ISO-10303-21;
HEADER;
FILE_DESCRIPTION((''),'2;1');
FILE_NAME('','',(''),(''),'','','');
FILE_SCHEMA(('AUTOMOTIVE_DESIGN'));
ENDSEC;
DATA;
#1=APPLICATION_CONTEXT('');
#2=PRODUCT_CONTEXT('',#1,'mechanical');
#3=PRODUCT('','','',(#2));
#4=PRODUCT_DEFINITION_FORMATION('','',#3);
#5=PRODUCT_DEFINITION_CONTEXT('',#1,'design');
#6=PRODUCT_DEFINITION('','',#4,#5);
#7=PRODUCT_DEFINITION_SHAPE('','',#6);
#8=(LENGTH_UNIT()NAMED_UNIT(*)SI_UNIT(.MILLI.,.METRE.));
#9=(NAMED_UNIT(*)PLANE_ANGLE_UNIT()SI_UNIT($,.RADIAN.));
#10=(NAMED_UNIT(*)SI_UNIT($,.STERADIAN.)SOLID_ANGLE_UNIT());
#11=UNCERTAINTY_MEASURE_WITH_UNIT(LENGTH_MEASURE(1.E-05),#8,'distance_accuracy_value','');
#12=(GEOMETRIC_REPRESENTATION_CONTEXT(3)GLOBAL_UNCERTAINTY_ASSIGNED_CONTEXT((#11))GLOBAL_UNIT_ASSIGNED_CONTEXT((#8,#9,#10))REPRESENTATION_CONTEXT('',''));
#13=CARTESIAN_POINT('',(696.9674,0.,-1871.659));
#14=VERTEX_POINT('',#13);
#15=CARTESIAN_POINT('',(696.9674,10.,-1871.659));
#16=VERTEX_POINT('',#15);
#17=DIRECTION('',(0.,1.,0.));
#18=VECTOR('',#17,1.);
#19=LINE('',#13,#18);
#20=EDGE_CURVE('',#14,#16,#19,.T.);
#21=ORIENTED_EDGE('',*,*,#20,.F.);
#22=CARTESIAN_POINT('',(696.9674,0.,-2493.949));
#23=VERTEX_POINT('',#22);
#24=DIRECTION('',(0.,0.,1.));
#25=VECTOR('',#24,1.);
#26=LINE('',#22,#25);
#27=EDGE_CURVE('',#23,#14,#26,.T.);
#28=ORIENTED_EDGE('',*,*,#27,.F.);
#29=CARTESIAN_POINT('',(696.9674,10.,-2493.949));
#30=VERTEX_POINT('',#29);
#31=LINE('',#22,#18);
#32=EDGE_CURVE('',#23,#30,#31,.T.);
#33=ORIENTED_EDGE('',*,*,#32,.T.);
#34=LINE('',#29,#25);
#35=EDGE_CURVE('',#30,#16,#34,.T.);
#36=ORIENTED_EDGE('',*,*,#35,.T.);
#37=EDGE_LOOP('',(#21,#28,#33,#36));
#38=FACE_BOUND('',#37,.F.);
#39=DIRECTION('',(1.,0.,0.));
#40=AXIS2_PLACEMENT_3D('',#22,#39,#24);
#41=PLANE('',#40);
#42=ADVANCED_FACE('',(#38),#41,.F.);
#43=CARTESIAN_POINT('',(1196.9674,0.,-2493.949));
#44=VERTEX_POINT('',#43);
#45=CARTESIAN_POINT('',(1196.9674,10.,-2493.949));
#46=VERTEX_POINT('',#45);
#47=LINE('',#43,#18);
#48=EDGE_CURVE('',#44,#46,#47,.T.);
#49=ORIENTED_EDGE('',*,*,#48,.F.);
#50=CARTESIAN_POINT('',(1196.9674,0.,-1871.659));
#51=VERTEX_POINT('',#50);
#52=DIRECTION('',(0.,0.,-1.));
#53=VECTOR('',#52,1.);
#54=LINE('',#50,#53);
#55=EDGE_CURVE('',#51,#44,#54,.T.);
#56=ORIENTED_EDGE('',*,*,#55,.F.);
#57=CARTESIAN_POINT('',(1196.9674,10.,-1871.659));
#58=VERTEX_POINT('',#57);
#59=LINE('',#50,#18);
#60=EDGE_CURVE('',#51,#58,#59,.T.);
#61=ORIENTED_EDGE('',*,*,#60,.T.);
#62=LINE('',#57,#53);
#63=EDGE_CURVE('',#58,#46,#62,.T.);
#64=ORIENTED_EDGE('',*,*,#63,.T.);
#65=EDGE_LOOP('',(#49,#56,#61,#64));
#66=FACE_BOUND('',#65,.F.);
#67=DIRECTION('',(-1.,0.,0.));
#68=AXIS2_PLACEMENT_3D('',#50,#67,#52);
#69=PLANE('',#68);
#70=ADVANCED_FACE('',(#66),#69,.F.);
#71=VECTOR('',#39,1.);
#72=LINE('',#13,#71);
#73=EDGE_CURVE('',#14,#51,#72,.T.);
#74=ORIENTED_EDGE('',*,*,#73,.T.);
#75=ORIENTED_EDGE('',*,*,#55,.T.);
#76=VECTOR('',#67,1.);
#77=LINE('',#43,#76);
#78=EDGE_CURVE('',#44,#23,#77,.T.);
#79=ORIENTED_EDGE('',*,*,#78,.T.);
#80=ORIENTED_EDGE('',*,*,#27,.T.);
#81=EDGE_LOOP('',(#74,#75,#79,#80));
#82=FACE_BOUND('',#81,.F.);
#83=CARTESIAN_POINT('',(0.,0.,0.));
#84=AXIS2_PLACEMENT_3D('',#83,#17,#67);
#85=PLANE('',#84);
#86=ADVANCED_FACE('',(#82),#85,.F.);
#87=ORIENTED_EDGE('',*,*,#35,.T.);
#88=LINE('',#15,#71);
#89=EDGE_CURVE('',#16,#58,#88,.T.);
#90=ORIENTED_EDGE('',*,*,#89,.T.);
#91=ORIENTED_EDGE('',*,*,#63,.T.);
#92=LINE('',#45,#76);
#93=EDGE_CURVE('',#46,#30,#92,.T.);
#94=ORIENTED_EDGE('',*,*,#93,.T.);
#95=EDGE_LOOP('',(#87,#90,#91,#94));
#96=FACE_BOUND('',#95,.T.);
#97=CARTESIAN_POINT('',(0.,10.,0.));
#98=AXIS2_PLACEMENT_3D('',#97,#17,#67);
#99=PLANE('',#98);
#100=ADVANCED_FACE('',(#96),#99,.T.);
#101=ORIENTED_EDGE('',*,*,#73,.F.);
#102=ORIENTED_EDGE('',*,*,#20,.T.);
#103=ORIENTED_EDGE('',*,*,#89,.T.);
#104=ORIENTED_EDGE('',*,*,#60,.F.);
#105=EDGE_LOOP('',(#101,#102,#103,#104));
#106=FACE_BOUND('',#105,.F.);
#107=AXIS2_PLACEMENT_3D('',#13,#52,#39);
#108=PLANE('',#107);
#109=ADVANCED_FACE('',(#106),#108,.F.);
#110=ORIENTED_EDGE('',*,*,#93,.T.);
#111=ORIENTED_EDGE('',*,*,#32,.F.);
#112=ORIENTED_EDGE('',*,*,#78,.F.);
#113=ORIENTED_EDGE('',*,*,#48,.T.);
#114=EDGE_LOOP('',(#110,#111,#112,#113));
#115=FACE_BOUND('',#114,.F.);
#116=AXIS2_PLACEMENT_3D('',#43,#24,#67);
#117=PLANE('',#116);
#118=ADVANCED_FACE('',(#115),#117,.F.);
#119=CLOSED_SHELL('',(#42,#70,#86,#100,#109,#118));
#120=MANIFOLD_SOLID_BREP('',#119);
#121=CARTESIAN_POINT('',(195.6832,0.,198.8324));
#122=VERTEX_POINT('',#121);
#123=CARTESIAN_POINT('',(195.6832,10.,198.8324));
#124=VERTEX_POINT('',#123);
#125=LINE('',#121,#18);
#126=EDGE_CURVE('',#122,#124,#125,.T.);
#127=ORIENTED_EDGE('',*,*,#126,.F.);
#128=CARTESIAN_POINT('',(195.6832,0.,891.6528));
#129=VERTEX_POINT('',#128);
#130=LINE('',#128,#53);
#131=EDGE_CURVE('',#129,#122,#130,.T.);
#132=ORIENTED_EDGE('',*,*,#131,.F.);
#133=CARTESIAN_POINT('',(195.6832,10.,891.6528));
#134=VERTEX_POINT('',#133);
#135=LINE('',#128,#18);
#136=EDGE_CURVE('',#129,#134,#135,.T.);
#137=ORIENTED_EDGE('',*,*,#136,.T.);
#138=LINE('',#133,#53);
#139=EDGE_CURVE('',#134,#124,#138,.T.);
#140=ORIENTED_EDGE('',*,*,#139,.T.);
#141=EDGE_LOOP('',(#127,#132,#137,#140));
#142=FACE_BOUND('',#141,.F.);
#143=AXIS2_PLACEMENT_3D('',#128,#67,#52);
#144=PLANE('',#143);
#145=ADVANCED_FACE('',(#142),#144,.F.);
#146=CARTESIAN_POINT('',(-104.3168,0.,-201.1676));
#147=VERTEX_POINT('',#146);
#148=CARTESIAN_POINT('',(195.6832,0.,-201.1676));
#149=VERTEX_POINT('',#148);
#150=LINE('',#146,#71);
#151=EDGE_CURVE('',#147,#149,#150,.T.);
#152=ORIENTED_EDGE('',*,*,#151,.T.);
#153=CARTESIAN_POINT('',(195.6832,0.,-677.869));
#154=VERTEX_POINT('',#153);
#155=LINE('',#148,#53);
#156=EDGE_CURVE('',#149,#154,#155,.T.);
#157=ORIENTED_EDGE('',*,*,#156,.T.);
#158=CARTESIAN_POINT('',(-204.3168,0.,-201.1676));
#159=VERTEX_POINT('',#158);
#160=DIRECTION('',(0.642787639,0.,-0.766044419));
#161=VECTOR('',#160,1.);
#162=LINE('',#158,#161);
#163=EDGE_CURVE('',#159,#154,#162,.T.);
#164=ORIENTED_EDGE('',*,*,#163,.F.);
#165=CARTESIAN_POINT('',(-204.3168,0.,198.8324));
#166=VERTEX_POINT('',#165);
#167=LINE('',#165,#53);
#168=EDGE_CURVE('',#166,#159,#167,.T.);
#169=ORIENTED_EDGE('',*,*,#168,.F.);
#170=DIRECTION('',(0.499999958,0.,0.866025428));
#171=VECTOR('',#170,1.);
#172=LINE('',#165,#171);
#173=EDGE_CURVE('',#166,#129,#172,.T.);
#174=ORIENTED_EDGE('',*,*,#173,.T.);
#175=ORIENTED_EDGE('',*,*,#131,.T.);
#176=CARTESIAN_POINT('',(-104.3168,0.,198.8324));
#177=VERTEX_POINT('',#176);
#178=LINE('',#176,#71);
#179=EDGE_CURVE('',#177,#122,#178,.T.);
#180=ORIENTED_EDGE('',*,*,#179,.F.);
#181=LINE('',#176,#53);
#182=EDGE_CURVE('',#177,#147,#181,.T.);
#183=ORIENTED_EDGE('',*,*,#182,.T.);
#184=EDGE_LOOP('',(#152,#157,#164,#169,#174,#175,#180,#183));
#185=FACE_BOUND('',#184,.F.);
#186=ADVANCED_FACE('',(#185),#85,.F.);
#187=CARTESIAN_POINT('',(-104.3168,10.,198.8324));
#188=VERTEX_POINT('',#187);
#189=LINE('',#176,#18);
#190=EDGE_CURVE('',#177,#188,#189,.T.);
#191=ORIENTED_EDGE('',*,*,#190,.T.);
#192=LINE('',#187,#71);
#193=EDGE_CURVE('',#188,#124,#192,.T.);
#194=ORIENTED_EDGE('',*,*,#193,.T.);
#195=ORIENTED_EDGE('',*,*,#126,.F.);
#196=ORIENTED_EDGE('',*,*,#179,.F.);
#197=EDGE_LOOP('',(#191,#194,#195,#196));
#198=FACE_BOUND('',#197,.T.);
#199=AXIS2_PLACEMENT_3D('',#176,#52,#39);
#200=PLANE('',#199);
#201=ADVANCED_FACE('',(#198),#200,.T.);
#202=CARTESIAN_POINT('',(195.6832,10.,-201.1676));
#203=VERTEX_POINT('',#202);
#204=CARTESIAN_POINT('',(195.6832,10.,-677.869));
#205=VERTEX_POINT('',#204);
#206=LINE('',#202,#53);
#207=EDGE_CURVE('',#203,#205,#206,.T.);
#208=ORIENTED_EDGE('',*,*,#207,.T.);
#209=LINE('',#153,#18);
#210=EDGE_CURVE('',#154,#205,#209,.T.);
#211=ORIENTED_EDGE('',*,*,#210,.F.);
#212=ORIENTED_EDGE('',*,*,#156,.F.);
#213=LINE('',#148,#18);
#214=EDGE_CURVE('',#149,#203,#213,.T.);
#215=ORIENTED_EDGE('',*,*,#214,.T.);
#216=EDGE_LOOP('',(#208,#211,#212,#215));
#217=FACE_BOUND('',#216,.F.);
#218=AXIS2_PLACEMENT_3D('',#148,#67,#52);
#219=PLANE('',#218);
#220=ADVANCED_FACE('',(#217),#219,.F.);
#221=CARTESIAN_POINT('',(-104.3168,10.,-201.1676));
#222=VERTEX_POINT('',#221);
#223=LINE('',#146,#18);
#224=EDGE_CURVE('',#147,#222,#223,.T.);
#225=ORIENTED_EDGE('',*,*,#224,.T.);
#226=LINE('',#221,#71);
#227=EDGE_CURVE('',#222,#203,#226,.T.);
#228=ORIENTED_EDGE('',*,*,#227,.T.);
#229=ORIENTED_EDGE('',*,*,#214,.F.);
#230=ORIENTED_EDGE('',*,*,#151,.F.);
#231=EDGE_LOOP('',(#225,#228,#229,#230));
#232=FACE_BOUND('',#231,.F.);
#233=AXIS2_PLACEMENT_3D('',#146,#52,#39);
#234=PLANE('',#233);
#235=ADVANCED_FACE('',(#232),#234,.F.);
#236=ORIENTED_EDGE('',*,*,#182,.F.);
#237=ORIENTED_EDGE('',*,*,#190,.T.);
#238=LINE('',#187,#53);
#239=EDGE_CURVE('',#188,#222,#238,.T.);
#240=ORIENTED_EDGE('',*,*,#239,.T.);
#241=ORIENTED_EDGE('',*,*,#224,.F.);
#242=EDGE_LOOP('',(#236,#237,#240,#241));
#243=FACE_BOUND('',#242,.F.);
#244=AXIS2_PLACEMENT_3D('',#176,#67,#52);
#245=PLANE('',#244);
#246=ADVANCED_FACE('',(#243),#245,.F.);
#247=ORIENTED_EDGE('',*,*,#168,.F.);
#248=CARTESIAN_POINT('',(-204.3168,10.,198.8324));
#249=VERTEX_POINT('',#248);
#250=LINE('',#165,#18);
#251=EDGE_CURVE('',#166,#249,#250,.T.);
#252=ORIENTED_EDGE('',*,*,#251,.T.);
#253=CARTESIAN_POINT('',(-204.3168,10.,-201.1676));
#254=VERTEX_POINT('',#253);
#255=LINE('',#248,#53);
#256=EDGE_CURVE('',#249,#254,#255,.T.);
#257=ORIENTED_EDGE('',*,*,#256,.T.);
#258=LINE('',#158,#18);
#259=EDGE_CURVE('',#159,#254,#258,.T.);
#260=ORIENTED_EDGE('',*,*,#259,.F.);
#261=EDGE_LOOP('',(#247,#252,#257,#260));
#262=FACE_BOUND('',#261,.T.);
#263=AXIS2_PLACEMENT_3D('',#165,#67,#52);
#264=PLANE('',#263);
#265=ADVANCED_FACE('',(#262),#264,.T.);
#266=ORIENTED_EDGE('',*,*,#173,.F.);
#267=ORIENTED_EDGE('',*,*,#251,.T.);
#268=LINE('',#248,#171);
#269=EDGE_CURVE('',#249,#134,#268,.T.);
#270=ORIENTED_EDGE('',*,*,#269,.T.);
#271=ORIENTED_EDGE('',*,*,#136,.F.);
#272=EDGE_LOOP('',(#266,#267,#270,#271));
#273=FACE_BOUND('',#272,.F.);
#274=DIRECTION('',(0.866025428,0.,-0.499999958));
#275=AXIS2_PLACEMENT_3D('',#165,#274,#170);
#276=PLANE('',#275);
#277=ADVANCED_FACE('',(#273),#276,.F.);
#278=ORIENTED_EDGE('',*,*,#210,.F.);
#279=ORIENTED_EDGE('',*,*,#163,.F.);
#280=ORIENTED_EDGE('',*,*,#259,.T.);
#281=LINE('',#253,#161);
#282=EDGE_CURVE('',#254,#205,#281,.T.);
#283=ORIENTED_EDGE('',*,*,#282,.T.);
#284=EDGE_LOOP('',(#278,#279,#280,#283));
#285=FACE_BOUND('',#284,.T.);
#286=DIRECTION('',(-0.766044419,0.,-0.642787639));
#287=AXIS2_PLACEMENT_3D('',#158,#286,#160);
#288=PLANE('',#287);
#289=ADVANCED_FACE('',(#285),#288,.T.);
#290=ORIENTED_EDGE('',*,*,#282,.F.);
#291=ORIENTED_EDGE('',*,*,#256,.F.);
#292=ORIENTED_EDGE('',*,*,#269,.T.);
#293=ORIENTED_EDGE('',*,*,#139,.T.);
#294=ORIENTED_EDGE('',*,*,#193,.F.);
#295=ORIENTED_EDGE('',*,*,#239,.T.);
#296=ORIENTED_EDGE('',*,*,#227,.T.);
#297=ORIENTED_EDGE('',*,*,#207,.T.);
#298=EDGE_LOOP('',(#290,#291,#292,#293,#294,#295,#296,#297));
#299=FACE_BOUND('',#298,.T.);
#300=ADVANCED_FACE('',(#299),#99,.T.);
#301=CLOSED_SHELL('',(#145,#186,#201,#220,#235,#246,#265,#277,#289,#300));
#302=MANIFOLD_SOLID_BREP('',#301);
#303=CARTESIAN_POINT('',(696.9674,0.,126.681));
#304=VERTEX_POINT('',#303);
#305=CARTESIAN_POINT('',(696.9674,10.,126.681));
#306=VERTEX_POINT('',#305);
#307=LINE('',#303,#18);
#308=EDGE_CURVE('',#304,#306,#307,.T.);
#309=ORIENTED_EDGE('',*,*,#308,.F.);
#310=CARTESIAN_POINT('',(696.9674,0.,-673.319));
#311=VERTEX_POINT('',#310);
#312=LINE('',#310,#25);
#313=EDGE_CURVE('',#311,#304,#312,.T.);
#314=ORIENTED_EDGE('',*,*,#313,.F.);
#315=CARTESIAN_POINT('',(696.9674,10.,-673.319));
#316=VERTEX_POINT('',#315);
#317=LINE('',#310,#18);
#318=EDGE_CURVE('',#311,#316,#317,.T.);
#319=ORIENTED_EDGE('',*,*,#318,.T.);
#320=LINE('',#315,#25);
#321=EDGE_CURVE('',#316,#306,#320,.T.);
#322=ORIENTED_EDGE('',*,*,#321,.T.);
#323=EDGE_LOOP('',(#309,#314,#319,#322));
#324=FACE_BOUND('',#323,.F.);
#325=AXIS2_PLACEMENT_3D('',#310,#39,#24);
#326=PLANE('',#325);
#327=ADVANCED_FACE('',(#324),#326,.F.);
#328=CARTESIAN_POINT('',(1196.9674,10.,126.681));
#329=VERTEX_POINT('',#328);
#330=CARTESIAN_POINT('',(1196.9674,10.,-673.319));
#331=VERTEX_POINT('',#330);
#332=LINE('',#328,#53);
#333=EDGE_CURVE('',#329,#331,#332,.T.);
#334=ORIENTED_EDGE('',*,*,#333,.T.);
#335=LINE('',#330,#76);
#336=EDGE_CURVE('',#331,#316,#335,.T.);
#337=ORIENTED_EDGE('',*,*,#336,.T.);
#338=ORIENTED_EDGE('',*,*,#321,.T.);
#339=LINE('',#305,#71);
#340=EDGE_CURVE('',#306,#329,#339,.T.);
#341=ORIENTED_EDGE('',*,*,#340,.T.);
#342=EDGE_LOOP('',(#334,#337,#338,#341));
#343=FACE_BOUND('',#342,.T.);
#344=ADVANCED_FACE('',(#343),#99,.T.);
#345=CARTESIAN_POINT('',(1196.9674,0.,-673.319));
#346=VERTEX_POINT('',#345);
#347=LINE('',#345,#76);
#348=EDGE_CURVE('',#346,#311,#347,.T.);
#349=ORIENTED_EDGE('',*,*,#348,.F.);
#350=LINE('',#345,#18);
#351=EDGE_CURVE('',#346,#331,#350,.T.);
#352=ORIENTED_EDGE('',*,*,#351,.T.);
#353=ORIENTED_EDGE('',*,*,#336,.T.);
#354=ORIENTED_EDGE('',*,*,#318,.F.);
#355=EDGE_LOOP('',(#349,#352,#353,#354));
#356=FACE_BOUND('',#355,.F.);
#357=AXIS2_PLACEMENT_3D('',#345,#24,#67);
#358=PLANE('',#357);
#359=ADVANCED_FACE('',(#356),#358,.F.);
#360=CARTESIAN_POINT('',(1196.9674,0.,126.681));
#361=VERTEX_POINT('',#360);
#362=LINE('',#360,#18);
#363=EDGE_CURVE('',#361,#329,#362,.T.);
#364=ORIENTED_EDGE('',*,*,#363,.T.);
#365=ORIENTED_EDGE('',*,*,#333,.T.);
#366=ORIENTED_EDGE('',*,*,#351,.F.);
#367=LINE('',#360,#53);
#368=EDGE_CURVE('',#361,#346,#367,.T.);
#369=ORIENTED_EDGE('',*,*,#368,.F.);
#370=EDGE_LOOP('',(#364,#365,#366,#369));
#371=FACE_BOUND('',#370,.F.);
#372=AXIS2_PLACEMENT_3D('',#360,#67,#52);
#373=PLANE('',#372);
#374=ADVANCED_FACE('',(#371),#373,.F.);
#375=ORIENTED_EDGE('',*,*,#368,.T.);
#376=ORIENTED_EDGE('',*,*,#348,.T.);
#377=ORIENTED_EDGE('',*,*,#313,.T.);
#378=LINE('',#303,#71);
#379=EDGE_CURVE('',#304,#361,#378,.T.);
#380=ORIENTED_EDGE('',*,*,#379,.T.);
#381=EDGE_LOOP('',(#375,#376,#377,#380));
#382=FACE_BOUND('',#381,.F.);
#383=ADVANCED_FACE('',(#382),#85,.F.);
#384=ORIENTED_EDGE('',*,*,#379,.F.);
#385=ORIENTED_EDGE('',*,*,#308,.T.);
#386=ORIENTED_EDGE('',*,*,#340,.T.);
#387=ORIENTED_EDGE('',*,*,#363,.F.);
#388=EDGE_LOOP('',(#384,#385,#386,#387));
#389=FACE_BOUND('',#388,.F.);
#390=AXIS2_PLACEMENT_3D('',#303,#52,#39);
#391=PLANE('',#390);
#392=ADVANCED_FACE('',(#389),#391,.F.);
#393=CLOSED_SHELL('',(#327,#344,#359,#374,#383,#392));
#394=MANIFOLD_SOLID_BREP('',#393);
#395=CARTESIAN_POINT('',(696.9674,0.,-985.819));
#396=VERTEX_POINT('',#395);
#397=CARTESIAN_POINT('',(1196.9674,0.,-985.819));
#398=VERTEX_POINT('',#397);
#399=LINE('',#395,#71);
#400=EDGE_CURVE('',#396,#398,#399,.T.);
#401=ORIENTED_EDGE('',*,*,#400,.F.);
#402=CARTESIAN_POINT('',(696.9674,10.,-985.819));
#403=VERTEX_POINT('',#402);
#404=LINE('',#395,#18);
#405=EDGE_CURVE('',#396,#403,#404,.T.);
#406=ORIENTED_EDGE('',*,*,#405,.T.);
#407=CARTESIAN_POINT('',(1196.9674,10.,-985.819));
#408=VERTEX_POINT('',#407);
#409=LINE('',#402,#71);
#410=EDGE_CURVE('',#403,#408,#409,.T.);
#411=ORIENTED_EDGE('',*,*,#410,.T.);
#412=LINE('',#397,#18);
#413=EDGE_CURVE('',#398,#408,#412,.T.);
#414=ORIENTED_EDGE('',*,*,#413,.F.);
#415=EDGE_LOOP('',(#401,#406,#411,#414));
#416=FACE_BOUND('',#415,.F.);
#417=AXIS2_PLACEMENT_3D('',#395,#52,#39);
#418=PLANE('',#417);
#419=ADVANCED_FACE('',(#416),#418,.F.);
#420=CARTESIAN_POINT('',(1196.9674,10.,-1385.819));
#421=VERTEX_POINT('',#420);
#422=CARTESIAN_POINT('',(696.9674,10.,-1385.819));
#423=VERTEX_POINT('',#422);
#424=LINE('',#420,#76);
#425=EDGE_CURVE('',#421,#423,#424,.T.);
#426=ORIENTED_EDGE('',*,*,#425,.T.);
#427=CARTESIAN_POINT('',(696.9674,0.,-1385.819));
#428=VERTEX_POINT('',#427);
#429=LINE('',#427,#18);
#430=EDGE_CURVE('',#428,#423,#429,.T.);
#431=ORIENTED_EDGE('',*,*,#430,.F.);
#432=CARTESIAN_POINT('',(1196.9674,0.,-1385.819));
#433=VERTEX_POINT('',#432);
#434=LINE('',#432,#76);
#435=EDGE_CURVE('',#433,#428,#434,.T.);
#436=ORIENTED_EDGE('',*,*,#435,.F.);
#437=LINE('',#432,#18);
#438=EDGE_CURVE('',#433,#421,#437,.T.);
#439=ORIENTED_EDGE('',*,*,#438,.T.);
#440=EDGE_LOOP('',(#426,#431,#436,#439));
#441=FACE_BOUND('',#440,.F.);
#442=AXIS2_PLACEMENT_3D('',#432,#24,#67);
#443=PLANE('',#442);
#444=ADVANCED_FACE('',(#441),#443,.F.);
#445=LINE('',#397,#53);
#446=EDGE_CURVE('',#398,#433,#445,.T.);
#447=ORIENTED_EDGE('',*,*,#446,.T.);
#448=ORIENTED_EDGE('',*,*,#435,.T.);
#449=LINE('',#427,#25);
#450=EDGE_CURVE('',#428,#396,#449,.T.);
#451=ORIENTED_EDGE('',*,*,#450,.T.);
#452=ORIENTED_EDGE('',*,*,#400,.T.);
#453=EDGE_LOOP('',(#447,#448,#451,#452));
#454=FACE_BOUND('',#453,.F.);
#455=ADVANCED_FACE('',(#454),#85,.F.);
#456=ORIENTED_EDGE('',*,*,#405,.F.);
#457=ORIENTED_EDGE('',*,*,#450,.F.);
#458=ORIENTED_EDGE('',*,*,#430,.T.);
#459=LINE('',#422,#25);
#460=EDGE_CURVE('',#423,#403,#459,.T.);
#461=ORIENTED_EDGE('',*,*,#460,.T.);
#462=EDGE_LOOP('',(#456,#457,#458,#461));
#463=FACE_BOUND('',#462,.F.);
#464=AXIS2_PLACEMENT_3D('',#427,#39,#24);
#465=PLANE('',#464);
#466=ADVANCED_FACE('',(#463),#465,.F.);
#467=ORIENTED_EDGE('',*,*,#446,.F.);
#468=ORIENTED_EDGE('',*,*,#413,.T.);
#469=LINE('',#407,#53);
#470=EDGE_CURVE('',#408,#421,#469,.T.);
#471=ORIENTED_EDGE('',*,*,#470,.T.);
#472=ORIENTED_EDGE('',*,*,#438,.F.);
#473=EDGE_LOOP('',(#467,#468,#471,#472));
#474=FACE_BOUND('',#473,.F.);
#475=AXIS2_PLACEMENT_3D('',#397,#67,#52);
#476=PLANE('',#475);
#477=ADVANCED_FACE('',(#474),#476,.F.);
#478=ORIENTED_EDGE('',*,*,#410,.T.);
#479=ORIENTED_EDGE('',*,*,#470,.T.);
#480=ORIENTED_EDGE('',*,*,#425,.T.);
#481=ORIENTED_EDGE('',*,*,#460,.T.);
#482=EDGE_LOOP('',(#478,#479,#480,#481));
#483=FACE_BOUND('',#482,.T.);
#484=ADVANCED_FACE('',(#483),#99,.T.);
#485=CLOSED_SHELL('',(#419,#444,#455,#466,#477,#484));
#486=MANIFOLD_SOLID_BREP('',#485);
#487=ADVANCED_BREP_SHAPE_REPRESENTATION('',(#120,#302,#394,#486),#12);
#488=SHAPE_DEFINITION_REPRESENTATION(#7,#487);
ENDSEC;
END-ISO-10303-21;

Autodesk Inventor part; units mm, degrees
ref_plane "YZ Plane" through (0, 0, 0) normal (1, 0, 0) x (0, 1, 0)
ref_plane "XZ Plane" through (0, 0, 0) normal (0, 1, 0) x (-1, 0, 0)
ref_plane "XY Plane" through (0, 0, 0) normal (0, 0, 1) x (1, 0, 0)
sketch "草圖1" plane through (0, 0, 0) normal (0, 1, 0) x (-1, 0, 0)
  line L0 (104.3168, 198.8324) -> (-195.6832, 198.8324)
  line L1 (204.3168, 198.8324) -> (-195.6832, 891.6528)
  line L2 (-195.6832, 891.6528) -> (-195.6832, 198.8324)
  line L3 (204.3168, 198.8324) -> (204.3168, -201.1676)
  line L4 (104.3168, -201.1676) -> (-195.6832, -201.1676)
  line L5 (204.3168, -201.1676) -> (-195.6832, -677.869)
  line L6 (-195.6832, -201.1676) -> (-195.6832, -677.869)
  line L7 (104.3168, 198.8324) -> (104.3168, -201.1676)
  line L8 (-696.9674, 126.681) -> (-1196.9674, 126.681)
  line L9 (-1196.9674, 126.681) -> (-1196.9674, -673.319)
  line L10 (-1196.9674, -673.319) -> (-696.9674, -673.319)
  line L11 (-696.9674, -673.319) -> (-696.9674, 126.681)
  line L12 (-696.9674, 126.681) -> (-1196.9674, -673.319) construction
  line L13 (-1196.9674, 126.681) -> (-696.9674, -673.319) construction
  line L14 (-1196.9674, -1385.819) -> (-696.9674, -1385.819)
  line L15 (-696.9674, -1385.819) -> (-696.9674, -985.819)
  line L16 (-696.9674, -985.819) -> (-1196.9674, -985.819)
  line L17 (-1196.9674, -985.819) -> (-1196.9674, -1385.819)
  line L18 (-1196.9674, -1385.819) -> (-696.9674, -985.819) construction
  line L19 (-696.9674, -1385.819) -> (-1196.9674, -985.819) construction
  line L20 (-1196.9674, -2493.949) -> (-696.9674, -2493.949)
  line L21 (-696.9674, -2493.949) -> (-696.9674, -1871.659)
  line L22 (-696.9674, -1871.659) -> (-1196.9674, -1871.659)
  line L23 (-1196.9674, -1871.659) -> (-1196.9674, -2493.949)
  line L24 (-1196.9674, -2493.949) -> (-696.9674, -1871.659) construction
  line L25 (-696.9674, -2493.949) -> (-1196.9674, -1871.659) construction
  point P0 (-946.9674, -273.319)
  point P1 (-946.9674, -1185.819)
  point P2 (-946.9674, -2182.804)
  dimension "d3" = 30
  dimension "d6" = 400
  dimension "d8" = 400
  dimension "d10" = 100
  dimension "d11" = 40
  dimension "d12" = 800
  dimension "d13" = 622.2895
  dimension "d18" = 800
  dimension "d19" = 500
  dimension "d20" = 400
  dimension "d21" = 500
  dimension "d22" = 622.29
  dimension "d23" = 500
extrude "擠出1" add sketch "草圖1" along normal blind 10
